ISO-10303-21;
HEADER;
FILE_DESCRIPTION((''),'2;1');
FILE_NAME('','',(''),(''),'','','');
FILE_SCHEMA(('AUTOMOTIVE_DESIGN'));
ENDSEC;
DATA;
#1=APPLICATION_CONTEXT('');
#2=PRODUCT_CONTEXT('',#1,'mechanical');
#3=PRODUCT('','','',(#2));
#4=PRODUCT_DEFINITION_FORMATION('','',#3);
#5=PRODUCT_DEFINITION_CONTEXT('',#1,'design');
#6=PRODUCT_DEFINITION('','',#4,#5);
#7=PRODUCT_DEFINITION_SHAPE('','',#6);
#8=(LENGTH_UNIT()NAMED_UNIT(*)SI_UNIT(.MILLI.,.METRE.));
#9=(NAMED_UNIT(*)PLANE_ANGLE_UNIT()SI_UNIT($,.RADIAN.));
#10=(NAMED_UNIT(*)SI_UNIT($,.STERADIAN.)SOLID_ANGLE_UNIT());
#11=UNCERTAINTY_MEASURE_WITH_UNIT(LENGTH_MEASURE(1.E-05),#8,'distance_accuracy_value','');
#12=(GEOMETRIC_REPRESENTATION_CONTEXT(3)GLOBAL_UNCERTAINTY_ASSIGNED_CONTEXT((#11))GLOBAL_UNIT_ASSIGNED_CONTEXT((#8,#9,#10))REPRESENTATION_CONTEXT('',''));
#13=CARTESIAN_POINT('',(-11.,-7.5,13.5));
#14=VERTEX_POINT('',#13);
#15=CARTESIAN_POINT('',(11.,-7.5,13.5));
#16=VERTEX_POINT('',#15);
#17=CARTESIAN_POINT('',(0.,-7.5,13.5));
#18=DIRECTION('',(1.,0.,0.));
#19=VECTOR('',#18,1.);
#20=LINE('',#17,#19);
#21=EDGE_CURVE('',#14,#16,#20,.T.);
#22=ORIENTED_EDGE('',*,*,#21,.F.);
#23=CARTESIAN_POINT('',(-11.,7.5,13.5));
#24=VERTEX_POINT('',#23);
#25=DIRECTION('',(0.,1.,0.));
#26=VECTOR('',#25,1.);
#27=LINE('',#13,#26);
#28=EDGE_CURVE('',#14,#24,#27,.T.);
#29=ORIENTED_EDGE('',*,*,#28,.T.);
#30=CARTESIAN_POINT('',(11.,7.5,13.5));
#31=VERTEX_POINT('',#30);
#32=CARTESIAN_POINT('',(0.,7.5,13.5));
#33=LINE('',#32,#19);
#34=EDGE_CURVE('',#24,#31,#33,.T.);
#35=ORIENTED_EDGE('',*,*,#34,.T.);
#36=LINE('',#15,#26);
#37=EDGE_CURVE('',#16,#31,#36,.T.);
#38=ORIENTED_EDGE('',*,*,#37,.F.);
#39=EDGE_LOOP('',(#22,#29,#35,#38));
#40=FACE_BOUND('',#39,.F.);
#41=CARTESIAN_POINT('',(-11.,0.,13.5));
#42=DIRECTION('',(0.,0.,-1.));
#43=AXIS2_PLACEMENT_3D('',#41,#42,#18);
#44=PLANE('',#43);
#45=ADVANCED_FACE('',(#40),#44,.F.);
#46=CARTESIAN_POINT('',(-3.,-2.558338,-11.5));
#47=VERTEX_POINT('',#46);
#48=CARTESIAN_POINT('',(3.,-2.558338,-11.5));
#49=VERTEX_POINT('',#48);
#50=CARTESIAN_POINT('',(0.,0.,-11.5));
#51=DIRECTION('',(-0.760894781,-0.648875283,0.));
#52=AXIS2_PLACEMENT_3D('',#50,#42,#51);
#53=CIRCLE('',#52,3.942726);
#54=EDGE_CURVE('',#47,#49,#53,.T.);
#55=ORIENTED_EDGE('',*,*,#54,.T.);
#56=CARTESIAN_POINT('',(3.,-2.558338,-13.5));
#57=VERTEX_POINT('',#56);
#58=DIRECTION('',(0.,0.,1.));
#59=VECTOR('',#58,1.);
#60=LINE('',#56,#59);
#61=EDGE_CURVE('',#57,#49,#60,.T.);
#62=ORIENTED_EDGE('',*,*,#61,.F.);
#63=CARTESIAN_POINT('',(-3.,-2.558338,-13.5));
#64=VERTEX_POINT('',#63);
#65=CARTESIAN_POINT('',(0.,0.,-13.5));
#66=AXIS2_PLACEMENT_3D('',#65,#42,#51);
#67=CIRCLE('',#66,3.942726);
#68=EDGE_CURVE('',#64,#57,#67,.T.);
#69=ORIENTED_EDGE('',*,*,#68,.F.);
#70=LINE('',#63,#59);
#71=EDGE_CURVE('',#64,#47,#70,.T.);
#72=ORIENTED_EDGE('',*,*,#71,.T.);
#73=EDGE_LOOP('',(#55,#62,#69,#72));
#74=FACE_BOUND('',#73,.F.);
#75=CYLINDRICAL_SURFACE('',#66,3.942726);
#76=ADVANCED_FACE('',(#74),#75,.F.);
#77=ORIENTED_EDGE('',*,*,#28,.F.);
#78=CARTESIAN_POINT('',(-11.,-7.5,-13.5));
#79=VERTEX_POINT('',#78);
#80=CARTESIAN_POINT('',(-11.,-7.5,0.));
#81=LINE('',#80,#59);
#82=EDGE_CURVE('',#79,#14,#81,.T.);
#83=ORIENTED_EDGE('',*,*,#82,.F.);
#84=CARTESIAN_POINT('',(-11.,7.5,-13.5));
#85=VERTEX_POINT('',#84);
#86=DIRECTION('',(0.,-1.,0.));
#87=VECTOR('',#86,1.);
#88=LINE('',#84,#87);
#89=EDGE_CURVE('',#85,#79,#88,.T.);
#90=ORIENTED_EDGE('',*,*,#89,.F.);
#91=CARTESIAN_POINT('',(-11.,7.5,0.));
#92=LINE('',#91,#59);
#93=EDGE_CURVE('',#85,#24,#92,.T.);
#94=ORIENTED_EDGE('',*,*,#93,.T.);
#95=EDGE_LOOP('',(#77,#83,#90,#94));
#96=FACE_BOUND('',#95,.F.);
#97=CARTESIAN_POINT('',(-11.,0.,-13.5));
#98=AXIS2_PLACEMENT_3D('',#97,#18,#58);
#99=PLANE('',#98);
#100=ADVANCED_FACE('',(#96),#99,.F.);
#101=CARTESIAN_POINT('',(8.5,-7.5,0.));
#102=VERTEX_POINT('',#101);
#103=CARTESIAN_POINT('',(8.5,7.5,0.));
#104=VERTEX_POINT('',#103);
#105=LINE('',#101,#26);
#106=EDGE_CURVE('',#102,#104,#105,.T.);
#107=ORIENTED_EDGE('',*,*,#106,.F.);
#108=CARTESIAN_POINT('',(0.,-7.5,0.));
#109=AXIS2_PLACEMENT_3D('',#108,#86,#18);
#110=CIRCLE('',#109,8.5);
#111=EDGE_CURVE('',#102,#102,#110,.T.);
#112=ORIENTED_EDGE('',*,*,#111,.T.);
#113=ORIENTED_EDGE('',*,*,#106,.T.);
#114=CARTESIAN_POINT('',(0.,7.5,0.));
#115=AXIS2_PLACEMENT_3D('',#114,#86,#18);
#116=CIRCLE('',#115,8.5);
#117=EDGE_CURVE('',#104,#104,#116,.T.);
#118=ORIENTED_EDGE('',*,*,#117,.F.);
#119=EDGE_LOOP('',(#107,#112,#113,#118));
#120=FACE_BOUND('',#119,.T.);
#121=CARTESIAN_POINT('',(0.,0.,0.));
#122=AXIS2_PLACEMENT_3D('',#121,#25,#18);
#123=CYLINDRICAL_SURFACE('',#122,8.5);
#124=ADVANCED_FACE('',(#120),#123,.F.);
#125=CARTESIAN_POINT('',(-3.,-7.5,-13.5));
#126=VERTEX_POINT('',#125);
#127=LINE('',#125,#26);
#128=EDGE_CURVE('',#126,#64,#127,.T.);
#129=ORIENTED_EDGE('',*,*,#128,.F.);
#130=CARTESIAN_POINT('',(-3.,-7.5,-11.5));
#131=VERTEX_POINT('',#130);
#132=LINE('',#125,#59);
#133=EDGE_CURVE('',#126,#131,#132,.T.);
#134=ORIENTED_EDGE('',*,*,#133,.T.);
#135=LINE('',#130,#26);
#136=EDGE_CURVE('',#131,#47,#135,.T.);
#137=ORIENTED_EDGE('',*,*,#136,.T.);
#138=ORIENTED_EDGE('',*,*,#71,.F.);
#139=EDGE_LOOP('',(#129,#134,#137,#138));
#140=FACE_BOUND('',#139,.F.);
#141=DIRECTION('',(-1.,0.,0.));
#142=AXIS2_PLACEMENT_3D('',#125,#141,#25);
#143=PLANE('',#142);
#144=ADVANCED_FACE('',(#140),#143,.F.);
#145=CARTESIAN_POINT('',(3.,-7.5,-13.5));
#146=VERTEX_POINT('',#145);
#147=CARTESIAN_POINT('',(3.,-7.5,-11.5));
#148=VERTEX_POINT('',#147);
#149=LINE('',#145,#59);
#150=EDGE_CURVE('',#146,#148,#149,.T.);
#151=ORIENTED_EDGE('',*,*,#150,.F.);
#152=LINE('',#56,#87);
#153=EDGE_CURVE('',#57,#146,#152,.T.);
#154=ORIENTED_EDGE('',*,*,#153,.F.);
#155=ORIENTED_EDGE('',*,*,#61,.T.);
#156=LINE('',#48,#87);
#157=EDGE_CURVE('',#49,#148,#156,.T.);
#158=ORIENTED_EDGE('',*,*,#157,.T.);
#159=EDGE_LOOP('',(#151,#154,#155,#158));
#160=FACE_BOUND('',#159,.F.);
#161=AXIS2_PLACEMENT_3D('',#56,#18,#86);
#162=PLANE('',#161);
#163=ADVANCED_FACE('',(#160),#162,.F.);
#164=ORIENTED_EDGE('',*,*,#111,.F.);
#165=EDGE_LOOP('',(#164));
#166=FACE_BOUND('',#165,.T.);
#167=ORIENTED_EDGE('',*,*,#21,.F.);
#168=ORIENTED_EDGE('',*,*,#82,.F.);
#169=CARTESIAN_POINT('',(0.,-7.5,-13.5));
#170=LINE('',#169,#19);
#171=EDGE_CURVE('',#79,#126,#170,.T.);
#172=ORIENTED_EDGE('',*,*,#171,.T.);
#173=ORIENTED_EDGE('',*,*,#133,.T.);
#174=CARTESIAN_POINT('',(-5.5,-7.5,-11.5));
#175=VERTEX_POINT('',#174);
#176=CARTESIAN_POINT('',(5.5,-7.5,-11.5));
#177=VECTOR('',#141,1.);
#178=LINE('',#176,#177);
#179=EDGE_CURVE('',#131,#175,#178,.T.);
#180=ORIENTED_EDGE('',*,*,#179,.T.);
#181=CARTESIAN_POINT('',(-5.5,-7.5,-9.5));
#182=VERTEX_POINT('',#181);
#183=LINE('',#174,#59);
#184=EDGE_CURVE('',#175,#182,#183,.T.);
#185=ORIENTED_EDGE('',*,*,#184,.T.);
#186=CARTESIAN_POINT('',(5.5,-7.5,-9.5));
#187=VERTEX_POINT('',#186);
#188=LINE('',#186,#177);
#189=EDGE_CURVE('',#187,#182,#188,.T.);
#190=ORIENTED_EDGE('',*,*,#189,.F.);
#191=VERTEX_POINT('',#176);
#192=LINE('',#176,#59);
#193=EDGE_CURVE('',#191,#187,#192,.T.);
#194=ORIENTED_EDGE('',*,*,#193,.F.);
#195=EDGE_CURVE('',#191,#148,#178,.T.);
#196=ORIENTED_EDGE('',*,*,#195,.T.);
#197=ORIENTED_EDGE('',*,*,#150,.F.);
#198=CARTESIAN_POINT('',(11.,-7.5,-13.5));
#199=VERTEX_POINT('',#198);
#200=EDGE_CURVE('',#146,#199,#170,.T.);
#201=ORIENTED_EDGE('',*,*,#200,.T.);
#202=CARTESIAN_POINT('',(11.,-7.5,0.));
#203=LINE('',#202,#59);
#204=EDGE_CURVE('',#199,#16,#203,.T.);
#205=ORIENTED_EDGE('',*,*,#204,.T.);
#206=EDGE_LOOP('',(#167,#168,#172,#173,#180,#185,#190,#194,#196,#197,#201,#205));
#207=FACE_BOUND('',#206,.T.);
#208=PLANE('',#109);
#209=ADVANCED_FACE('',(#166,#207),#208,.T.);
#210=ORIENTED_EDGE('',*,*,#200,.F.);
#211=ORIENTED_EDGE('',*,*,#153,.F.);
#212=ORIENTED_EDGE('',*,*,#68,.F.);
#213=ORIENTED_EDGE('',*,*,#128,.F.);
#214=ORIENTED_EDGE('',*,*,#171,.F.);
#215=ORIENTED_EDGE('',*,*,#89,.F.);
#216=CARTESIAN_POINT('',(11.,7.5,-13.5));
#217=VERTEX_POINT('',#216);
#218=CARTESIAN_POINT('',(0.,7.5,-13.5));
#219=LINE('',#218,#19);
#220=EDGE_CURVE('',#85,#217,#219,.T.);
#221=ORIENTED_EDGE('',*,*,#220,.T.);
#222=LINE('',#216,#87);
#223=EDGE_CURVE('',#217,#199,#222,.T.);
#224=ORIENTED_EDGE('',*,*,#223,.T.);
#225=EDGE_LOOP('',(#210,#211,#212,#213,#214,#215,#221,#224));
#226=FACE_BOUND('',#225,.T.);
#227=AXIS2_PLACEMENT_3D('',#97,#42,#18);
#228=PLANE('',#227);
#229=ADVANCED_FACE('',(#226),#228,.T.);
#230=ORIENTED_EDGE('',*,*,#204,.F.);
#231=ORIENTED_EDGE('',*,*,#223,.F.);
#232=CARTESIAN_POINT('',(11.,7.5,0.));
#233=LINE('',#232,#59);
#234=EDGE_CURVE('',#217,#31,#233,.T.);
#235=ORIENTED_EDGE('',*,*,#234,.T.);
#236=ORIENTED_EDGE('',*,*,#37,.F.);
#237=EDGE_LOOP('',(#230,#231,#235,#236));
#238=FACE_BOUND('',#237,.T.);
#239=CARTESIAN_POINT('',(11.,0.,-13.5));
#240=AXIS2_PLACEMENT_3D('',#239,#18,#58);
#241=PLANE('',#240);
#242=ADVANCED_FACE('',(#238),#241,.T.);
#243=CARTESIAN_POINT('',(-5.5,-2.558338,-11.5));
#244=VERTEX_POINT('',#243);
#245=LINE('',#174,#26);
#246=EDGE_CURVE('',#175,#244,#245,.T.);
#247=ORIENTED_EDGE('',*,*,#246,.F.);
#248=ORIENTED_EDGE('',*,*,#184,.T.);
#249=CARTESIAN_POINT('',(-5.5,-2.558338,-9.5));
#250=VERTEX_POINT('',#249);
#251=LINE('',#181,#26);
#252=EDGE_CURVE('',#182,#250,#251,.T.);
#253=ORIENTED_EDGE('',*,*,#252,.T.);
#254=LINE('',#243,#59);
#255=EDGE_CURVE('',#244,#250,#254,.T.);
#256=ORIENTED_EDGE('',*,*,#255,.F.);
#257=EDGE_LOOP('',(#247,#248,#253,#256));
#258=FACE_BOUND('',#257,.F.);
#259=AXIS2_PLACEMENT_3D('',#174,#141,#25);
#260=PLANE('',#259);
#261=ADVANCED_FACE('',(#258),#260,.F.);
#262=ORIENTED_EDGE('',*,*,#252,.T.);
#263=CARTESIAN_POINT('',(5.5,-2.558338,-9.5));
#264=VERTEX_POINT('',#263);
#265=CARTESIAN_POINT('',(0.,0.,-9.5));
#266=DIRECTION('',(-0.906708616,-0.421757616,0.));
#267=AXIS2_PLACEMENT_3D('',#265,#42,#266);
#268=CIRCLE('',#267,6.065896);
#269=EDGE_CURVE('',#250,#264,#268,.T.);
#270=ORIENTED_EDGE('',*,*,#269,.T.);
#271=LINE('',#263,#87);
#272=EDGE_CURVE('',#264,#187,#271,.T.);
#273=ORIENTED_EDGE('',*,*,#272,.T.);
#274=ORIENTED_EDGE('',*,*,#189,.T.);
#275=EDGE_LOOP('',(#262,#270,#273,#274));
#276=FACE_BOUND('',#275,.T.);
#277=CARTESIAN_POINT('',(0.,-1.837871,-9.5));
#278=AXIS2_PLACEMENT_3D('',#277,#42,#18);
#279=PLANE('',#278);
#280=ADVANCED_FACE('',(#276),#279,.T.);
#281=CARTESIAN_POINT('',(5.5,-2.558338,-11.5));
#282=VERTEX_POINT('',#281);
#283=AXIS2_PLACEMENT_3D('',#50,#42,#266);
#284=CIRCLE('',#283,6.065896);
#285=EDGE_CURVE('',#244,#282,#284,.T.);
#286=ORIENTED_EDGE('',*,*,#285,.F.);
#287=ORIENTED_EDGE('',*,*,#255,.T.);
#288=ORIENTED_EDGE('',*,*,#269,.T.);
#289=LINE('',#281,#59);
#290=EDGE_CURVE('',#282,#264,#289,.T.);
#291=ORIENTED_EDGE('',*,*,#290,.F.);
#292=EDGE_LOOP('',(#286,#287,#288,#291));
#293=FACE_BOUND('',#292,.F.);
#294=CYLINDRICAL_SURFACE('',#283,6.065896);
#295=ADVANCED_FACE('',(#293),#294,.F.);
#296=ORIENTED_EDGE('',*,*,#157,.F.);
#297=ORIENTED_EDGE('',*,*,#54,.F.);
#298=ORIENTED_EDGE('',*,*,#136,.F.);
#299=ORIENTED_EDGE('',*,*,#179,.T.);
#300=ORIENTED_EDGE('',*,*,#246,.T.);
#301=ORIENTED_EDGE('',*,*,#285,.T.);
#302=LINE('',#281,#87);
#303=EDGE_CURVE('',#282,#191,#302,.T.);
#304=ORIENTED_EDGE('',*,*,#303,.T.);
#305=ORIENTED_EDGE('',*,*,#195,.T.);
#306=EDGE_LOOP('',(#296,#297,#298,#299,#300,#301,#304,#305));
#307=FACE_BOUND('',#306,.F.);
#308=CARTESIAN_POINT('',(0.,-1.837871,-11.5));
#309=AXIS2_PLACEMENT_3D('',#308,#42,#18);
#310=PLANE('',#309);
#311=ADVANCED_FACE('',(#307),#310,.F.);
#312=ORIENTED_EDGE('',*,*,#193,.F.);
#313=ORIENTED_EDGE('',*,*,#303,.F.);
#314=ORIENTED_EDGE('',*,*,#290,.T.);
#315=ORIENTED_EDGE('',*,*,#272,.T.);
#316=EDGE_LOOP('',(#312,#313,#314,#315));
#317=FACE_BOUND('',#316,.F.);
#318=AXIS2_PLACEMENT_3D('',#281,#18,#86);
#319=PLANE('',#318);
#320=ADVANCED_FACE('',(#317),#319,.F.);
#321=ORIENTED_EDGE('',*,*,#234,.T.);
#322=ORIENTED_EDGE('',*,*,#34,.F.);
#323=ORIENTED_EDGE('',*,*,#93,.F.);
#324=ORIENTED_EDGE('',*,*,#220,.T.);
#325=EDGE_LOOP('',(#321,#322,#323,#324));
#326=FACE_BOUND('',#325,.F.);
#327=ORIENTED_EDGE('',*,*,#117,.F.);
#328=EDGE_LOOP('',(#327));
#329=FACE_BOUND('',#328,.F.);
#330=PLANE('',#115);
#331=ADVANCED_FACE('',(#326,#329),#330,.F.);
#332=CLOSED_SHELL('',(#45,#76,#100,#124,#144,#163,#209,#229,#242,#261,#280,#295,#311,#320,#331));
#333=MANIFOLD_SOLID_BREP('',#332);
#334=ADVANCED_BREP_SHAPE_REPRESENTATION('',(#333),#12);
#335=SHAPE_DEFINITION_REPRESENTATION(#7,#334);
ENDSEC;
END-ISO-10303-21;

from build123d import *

# Parameters (mm, degrees)
F0_W     = 22
F0_H     = 27
F0_R     = 8.5
F1_DEPTH = 7.5
F3_DEPTH = 2
F6_DEPTH = 2


with BuildPart() as f1:
    # F0 (on Front) → F1 (new body, symmetric)
    with BuildSketch(Plane.XZ):
        Rectangle(F0_W, F0_H)
        Circle(F0_R, mode=Mode.SUBTRACT)
    extrude(amount=F1_DEPTH, both=True)

    # F2 (on face) → F3 (cut)
    with BuildSketch(Plane(origin=(0, 0, -13.5), x_dir=(1, 0, 0), z_dir=(0, 0, -1))):
        with BuildLine():
            Line((3, 7.5), (-3, 7.5))
            Line((-3, 7.5), (-3, 2.5583377574))
            ThreePointArc((-3, 2.5583377574), (0, -3.9427264781), (3, 2.5583377574))
            Line((3, 2.5583377574), (3, 7.5))
        make_face()
    extrude(amount=-F3_DEPTH, mode=Mode.SUBTRACT)

    # F5 (on offset) → F6 (cut)
    with BuildSketch(Plane(origin=(0, 0, -11.5), x_dir=(1, 0, 0), z_dir=(0, 0, -1))):
        with BuildLine():
            Line((5.5, 7.5), (-5.5, 7.5))
            Line((-5.5, 7.5), (-5.5, 2.5583377574))
            ThreePointArc((-5.5, 2.5583377574), (0, -6.0658958185), (5.5, 2.5583377574))
            Line((5.5, 2.5583377574), (5.5, 7.5))
        make_face()
    extrude(amount=-F6_DEPTH, mode=Mode.SUBTRACT)


solid = f1.part
